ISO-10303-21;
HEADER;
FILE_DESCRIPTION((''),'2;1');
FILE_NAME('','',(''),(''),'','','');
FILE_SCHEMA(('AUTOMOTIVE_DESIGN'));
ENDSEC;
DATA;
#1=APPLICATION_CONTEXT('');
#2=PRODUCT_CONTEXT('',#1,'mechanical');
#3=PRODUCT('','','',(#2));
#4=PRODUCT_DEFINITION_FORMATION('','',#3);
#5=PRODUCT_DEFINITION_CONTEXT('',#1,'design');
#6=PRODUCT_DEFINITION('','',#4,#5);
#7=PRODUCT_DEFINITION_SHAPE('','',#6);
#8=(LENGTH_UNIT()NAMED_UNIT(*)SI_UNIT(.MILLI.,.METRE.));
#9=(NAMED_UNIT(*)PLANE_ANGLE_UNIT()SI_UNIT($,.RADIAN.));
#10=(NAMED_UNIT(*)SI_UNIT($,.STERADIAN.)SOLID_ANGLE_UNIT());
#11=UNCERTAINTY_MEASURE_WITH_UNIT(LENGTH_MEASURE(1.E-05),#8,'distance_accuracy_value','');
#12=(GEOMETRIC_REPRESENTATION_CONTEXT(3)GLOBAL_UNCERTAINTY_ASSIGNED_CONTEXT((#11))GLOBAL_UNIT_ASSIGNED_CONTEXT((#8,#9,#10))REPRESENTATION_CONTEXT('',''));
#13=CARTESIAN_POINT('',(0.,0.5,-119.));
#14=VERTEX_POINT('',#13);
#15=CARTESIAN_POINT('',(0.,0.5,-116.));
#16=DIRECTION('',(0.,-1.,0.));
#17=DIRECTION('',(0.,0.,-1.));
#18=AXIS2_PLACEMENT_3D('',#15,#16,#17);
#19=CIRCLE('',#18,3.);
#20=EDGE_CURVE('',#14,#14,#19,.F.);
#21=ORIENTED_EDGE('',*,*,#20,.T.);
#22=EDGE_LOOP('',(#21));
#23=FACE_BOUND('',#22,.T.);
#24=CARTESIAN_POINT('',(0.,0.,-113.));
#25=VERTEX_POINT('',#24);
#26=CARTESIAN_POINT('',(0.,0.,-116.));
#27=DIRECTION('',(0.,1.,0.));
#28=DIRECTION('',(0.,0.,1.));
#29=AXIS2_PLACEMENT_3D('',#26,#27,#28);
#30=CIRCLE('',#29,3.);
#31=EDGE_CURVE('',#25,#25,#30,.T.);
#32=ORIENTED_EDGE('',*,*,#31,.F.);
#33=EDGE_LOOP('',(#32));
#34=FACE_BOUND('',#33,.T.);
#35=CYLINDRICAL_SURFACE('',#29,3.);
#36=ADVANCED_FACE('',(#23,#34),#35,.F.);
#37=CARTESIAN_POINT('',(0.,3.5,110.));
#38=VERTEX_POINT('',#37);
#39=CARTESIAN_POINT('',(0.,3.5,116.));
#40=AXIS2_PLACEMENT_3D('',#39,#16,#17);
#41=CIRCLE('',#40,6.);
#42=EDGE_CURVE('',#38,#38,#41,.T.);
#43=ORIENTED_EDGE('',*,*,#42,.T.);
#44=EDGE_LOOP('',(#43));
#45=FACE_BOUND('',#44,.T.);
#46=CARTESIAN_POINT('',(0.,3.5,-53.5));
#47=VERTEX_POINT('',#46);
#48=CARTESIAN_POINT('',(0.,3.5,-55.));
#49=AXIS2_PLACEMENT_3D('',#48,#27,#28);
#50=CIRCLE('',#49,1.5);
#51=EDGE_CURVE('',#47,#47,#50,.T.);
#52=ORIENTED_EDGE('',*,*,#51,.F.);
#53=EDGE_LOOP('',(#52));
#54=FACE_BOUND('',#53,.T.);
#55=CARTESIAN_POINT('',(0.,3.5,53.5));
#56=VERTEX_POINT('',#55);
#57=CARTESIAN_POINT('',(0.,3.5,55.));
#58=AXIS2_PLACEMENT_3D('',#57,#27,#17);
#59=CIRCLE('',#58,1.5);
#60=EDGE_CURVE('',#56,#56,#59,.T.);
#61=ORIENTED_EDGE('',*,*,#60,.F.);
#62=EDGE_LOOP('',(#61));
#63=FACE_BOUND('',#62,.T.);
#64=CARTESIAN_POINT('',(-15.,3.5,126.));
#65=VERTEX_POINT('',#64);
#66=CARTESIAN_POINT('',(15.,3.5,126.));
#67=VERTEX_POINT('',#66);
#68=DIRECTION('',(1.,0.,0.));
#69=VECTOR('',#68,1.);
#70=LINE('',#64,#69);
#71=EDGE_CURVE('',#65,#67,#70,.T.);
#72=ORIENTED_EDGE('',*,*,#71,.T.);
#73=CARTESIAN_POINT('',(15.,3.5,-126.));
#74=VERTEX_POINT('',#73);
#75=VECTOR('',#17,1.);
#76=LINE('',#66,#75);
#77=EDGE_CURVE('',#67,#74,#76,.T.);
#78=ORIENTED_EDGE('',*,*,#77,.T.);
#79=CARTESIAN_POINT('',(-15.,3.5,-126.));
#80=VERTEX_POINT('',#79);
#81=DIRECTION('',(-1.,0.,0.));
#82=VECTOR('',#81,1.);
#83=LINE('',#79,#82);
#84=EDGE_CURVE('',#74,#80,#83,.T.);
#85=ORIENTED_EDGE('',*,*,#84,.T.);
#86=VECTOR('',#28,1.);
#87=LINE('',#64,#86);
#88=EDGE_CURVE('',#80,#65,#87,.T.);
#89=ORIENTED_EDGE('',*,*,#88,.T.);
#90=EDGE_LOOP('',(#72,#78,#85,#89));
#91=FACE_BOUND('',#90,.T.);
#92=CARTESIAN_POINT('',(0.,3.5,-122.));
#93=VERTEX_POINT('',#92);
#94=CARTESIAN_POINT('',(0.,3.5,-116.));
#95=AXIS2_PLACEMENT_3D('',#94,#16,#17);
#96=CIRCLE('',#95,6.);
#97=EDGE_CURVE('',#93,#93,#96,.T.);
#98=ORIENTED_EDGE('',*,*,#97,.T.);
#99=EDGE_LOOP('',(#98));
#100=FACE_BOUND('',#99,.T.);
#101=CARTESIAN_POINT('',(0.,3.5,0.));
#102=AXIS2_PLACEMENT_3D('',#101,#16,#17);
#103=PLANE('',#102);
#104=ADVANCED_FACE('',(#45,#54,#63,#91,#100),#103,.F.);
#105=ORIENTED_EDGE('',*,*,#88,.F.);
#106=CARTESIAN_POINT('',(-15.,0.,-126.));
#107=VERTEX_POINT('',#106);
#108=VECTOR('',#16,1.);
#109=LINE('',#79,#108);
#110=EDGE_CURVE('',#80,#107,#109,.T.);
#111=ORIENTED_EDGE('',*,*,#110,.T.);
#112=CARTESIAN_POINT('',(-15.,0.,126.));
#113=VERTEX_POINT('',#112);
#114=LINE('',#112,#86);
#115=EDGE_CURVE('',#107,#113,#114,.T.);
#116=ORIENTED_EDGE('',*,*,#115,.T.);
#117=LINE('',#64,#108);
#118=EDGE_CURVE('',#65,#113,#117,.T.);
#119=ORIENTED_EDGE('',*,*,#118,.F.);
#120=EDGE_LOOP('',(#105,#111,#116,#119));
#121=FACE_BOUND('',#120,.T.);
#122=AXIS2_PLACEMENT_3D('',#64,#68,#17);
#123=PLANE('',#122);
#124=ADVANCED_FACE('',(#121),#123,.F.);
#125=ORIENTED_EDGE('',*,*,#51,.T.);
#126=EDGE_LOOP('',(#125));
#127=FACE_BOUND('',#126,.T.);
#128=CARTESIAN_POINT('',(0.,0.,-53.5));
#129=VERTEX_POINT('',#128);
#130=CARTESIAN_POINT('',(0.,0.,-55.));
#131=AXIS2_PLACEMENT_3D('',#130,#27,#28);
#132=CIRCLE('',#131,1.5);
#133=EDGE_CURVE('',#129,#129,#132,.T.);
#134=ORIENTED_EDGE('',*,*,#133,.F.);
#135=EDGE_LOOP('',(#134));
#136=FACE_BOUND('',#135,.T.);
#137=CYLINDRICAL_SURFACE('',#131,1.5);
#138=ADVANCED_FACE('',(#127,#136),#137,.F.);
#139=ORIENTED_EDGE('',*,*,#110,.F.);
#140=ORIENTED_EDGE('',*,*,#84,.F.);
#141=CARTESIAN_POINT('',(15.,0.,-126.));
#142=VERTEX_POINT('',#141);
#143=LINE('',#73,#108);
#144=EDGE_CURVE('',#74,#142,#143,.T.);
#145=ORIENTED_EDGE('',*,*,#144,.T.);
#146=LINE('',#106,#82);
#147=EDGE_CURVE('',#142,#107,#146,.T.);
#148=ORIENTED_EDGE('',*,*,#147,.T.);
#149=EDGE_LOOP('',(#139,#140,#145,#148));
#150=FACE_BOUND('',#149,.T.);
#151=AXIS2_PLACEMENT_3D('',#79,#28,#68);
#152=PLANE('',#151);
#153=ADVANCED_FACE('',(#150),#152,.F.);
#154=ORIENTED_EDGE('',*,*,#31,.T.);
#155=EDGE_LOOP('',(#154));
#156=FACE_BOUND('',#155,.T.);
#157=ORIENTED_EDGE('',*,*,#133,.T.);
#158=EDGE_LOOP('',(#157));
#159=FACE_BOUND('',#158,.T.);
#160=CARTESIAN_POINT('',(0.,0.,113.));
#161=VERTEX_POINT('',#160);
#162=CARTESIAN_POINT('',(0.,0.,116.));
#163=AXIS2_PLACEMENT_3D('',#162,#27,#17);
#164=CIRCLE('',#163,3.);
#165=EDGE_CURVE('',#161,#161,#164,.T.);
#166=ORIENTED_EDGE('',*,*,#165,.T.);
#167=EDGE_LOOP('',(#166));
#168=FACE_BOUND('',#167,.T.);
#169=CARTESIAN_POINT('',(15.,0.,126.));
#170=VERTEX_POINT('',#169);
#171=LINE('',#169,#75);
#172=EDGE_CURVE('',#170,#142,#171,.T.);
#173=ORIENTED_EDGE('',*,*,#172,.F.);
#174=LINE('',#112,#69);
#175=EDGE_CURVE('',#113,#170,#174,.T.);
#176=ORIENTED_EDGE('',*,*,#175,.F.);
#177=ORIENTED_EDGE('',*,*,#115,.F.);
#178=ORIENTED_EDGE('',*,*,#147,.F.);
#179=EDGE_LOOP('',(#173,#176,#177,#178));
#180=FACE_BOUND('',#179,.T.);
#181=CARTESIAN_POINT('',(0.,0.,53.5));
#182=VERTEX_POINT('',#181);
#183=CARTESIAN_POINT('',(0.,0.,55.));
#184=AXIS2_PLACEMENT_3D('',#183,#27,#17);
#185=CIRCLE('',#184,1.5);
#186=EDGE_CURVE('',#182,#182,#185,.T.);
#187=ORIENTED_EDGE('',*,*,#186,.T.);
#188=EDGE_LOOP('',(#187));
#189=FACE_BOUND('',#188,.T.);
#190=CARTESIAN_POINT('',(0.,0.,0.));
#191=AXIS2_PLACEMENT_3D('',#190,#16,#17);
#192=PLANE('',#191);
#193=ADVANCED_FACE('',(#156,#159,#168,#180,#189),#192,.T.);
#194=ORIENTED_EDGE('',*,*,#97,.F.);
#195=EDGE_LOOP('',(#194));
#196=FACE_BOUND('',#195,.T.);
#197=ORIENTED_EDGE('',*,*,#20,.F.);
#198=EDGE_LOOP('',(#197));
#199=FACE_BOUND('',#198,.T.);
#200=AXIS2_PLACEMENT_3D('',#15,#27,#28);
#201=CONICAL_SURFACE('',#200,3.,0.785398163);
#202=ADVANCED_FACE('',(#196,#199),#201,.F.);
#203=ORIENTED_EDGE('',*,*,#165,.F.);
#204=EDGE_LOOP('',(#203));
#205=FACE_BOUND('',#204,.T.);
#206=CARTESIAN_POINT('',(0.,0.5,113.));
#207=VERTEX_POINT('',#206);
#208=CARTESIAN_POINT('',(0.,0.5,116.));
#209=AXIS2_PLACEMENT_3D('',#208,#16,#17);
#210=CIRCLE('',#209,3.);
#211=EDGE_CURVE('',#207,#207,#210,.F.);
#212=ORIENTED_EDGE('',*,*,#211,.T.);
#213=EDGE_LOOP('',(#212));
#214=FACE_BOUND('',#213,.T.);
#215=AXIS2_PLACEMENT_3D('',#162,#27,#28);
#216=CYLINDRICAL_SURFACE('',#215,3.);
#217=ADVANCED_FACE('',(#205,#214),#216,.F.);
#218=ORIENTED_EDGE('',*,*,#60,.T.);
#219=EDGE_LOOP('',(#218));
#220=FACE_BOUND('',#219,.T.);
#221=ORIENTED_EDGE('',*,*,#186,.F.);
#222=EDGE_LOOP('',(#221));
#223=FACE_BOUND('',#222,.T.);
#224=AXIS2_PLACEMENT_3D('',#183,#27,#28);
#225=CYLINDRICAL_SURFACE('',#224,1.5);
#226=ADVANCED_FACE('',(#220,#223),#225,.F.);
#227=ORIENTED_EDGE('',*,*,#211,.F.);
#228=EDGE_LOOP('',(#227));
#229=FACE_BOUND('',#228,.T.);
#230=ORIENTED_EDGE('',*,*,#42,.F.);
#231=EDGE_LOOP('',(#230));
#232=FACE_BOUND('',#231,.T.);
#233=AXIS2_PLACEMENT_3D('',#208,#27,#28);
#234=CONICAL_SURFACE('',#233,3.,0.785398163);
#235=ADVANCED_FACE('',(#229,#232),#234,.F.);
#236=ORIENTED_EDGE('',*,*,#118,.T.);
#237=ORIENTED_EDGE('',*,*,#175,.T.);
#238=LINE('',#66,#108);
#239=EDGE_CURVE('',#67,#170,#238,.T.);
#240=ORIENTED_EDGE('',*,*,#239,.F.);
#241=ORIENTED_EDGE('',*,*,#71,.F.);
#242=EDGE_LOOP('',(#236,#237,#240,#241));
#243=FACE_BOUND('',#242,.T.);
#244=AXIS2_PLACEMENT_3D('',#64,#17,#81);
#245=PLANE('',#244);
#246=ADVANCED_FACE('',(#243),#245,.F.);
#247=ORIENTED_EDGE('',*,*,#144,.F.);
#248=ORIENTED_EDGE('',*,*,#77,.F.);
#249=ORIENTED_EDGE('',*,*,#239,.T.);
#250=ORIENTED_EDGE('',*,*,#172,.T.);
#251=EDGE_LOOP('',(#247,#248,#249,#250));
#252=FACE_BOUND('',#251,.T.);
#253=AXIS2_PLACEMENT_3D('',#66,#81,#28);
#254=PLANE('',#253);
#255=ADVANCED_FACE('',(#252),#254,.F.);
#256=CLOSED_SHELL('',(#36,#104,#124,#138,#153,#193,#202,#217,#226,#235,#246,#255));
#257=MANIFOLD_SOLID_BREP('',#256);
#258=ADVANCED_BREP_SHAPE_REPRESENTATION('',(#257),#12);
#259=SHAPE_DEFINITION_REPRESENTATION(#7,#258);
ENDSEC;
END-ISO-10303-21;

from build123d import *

# Parameters (mm, degrees)
SKETCH1_W           = 30
SKETCH1_H           = 252
BOSS_EXTRUDE1_DEPTH = 3.5
SKETCH2_R           = 1.5
SKETCH2_R_2         = 3
CUT_EXTRUDE1_DEPTH  = 3.5
CHAMFER1_SIZE       = 3


with BuildPart() as part:
    # Sketch1 → Boss-Extrude1 (new body)
    with BuildSketch(Plane(origin=(0, 0, 0), x_dir=(1, 0, 0), z_dir=(0, 1, 0))):
        Rectangle(SKETCH1_W, SKETCH1_H)
    extrude(amount=BOSS_EXTRUDE1_DEPTH)

    # Sketch2 → Cut-Extrude1 (cut)
    with BuildSketch(Plane(origin=(0, 3.5, 0), x_dir=(1, 0, 0), z_dir=(0, 1, 0))):
        with Locations((0, 55)):
            Circle(SKETCH2_R)
        with Locations((0, -55)):
            Circle(SKETCH2_R)
        with Locations((0, 116)):
            Circle(SKETCH2_R_2)
        with Locations((0, -116)):
            Circle(SKETCH2_R_2)
    extrude(amount=-CUT_EXTRUDE1_DEPTH, mode=Mode.SUBTRACT)

    # Chamfer1
    chamfer1_edges = [part.edges().sort_by_distance(p)[0] for p in [
        (-3, 3.5, 116),
        (-3, 3.5, -116),
    ]]
    chamfer(chamfer1_edges, length=CHAMFER1_SIZE)


solid = part.part
